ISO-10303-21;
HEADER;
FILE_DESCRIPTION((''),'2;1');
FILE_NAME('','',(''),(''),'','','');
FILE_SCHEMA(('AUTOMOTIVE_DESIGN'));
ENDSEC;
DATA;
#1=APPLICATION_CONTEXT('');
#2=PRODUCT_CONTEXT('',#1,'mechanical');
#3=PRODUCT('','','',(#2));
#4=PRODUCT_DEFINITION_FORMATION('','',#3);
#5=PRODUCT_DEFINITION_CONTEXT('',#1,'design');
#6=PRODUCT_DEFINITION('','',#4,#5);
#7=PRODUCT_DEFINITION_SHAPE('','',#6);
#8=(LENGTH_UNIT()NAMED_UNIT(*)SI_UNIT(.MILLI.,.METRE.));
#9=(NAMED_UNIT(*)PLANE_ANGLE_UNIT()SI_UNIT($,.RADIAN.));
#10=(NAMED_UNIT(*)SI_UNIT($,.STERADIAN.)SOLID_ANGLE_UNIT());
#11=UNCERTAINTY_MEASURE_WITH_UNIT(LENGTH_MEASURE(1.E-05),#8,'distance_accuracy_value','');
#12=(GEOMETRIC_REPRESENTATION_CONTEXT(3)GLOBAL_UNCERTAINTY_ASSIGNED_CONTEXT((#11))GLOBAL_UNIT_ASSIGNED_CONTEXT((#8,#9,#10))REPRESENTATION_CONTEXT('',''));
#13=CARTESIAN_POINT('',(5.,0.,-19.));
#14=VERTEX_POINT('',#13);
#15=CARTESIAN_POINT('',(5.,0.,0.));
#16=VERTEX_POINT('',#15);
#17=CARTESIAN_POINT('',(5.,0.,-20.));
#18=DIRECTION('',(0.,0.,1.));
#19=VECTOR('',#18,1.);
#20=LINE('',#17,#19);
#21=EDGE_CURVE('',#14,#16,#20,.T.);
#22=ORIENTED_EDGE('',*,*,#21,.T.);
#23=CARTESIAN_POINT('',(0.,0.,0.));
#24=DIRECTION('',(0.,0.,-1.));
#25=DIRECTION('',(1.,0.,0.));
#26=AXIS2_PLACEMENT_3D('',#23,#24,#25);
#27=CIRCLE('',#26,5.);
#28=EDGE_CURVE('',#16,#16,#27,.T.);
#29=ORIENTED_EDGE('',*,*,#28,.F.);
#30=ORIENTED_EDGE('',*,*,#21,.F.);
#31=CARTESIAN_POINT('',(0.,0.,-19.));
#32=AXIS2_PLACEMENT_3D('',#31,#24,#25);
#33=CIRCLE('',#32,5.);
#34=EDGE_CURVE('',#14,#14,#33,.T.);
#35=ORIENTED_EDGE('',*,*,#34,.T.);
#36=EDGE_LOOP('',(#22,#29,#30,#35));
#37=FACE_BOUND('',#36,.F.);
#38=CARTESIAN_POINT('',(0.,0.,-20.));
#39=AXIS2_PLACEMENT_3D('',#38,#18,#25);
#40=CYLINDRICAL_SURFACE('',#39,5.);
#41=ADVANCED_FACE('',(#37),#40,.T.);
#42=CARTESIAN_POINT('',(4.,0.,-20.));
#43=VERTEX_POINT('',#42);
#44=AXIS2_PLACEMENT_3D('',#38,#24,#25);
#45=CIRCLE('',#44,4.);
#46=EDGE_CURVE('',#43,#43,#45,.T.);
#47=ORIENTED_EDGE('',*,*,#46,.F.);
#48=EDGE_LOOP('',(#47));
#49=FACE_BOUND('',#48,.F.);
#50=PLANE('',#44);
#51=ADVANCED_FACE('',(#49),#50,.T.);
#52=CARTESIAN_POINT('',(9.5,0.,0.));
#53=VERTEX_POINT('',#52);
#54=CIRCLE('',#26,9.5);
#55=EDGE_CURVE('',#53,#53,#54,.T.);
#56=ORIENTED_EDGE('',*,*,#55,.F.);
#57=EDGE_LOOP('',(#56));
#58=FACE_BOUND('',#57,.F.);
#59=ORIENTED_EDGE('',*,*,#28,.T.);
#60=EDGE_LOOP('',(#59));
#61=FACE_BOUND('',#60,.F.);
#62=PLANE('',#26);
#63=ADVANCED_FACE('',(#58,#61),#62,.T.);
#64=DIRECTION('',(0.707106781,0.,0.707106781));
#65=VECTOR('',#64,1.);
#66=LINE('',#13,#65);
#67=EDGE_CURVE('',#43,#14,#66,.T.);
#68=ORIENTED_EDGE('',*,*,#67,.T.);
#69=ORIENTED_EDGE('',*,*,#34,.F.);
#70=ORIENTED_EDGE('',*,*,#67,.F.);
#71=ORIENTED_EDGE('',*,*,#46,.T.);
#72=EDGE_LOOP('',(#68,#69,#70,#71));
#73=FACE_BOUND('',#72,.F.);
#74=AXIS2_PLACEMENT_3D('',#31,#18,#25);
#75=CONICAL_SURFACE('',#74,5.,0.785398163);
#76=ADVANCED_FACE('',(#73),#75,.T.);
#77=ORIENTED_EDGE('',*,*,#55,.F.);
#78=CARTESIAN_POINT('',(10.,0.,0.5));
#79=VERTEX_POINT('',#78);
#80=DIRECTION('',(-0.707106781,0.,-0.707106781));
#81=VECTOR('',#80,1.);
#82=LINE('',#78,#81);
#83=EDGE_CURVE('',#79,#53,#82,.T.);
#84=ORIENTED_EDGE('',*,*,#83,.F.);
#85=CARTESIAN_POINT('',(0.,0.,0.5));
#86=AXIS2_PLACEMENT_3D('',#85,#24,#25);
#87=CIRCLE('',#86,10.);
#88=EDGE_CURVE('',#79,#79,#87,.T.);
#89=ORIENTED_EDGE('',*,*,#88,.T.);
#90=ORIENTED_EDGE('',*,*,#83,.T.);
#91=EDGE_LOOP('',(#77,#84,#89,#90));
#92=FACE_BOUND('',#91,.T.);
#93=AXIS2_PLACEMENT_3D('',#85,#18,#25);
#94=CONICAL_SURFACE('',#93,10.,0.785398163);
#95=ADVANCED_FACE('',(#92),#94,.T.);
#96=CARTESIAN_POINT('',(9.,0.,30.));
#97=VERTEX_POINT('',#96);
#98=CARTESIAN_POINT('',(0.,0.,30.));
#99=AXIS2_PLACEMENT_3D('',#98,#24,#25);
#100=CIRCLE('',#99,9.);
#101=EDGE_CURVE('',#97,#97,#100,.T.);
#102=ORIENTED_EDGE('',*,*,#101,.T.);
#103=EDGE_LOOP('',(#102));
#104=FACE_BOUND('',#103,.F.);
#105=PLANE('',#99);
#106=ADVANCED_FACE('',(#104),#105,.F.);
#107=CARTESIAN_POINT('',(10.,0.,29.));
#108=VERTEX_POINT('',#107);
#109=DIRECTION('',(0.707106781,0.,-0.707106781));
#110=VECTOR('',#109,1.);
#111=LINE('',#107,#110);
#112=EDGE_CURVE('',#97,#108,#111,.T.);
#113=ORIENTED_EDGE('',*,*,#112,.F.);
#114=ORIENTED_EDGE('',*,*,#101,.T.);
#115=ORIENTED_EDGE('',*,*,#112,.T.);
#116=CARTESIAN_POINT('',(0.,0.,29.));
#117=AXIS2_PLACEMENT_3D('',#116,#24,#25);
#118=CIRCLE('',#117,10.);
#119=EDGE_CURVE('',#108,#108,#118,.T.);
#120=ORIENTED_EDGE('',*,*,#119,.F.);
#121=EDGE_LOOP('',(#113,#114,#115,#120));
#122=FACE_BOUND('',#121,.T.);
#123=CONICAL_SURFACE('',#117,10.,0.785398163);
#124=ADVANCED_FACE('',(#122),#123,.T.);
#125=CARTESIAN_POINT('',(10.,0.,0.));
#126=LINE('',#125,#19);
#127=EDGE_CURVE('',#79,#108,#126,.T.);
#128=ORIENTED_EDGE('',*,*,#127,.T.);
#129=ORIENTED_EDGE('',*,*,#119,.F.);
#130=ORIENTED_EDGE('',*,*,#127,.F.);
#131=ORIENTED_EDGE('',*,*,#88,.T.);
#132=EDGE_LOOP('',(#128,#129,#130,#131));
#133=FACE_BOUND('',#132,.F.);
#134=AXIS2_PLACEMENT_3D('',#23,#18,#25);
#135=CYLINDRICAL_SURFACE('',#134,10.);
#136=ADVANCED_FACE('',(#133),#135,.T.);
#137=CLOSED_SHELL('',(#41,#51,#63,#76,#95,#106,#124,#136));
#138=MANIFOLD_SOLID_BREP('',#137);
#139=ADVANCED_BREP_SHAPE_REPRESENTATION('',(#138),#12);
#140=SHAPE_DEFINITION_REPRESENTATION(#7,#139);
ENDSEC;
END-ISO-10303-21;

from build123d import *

# Parameters (mm, degrees)
F2_SIZE = 1
F3_SIZE = 0.5


with BuildPart() as f1:
    # F0 (on Front) → F1 (revolve)
    with BuildSketch(Plane.XZ):
        Polygon((10, 30), (0, 30), (0, -20), (5, -20), (5, 0), (10, 0), align=None)
    revolve(axis=Axis((0, 0, 5), (0, 0, -1)))

    # F2
    f2_edges = [f1.edges().sort_by_distance(p)[0] for p in [
        (-10, 0, 30),
        (-5, 0, -20),
    ]]
    chamfer(f2_edges, length=F2_SIZE)

    # F3
    f3_edges = [f1.edges().sort_by_distance(p)[0] for p in [
        (-10, 0, 0),
    ]]
    chamfer(f3_edges, length=F3_SIZE)


solid = f1.part
